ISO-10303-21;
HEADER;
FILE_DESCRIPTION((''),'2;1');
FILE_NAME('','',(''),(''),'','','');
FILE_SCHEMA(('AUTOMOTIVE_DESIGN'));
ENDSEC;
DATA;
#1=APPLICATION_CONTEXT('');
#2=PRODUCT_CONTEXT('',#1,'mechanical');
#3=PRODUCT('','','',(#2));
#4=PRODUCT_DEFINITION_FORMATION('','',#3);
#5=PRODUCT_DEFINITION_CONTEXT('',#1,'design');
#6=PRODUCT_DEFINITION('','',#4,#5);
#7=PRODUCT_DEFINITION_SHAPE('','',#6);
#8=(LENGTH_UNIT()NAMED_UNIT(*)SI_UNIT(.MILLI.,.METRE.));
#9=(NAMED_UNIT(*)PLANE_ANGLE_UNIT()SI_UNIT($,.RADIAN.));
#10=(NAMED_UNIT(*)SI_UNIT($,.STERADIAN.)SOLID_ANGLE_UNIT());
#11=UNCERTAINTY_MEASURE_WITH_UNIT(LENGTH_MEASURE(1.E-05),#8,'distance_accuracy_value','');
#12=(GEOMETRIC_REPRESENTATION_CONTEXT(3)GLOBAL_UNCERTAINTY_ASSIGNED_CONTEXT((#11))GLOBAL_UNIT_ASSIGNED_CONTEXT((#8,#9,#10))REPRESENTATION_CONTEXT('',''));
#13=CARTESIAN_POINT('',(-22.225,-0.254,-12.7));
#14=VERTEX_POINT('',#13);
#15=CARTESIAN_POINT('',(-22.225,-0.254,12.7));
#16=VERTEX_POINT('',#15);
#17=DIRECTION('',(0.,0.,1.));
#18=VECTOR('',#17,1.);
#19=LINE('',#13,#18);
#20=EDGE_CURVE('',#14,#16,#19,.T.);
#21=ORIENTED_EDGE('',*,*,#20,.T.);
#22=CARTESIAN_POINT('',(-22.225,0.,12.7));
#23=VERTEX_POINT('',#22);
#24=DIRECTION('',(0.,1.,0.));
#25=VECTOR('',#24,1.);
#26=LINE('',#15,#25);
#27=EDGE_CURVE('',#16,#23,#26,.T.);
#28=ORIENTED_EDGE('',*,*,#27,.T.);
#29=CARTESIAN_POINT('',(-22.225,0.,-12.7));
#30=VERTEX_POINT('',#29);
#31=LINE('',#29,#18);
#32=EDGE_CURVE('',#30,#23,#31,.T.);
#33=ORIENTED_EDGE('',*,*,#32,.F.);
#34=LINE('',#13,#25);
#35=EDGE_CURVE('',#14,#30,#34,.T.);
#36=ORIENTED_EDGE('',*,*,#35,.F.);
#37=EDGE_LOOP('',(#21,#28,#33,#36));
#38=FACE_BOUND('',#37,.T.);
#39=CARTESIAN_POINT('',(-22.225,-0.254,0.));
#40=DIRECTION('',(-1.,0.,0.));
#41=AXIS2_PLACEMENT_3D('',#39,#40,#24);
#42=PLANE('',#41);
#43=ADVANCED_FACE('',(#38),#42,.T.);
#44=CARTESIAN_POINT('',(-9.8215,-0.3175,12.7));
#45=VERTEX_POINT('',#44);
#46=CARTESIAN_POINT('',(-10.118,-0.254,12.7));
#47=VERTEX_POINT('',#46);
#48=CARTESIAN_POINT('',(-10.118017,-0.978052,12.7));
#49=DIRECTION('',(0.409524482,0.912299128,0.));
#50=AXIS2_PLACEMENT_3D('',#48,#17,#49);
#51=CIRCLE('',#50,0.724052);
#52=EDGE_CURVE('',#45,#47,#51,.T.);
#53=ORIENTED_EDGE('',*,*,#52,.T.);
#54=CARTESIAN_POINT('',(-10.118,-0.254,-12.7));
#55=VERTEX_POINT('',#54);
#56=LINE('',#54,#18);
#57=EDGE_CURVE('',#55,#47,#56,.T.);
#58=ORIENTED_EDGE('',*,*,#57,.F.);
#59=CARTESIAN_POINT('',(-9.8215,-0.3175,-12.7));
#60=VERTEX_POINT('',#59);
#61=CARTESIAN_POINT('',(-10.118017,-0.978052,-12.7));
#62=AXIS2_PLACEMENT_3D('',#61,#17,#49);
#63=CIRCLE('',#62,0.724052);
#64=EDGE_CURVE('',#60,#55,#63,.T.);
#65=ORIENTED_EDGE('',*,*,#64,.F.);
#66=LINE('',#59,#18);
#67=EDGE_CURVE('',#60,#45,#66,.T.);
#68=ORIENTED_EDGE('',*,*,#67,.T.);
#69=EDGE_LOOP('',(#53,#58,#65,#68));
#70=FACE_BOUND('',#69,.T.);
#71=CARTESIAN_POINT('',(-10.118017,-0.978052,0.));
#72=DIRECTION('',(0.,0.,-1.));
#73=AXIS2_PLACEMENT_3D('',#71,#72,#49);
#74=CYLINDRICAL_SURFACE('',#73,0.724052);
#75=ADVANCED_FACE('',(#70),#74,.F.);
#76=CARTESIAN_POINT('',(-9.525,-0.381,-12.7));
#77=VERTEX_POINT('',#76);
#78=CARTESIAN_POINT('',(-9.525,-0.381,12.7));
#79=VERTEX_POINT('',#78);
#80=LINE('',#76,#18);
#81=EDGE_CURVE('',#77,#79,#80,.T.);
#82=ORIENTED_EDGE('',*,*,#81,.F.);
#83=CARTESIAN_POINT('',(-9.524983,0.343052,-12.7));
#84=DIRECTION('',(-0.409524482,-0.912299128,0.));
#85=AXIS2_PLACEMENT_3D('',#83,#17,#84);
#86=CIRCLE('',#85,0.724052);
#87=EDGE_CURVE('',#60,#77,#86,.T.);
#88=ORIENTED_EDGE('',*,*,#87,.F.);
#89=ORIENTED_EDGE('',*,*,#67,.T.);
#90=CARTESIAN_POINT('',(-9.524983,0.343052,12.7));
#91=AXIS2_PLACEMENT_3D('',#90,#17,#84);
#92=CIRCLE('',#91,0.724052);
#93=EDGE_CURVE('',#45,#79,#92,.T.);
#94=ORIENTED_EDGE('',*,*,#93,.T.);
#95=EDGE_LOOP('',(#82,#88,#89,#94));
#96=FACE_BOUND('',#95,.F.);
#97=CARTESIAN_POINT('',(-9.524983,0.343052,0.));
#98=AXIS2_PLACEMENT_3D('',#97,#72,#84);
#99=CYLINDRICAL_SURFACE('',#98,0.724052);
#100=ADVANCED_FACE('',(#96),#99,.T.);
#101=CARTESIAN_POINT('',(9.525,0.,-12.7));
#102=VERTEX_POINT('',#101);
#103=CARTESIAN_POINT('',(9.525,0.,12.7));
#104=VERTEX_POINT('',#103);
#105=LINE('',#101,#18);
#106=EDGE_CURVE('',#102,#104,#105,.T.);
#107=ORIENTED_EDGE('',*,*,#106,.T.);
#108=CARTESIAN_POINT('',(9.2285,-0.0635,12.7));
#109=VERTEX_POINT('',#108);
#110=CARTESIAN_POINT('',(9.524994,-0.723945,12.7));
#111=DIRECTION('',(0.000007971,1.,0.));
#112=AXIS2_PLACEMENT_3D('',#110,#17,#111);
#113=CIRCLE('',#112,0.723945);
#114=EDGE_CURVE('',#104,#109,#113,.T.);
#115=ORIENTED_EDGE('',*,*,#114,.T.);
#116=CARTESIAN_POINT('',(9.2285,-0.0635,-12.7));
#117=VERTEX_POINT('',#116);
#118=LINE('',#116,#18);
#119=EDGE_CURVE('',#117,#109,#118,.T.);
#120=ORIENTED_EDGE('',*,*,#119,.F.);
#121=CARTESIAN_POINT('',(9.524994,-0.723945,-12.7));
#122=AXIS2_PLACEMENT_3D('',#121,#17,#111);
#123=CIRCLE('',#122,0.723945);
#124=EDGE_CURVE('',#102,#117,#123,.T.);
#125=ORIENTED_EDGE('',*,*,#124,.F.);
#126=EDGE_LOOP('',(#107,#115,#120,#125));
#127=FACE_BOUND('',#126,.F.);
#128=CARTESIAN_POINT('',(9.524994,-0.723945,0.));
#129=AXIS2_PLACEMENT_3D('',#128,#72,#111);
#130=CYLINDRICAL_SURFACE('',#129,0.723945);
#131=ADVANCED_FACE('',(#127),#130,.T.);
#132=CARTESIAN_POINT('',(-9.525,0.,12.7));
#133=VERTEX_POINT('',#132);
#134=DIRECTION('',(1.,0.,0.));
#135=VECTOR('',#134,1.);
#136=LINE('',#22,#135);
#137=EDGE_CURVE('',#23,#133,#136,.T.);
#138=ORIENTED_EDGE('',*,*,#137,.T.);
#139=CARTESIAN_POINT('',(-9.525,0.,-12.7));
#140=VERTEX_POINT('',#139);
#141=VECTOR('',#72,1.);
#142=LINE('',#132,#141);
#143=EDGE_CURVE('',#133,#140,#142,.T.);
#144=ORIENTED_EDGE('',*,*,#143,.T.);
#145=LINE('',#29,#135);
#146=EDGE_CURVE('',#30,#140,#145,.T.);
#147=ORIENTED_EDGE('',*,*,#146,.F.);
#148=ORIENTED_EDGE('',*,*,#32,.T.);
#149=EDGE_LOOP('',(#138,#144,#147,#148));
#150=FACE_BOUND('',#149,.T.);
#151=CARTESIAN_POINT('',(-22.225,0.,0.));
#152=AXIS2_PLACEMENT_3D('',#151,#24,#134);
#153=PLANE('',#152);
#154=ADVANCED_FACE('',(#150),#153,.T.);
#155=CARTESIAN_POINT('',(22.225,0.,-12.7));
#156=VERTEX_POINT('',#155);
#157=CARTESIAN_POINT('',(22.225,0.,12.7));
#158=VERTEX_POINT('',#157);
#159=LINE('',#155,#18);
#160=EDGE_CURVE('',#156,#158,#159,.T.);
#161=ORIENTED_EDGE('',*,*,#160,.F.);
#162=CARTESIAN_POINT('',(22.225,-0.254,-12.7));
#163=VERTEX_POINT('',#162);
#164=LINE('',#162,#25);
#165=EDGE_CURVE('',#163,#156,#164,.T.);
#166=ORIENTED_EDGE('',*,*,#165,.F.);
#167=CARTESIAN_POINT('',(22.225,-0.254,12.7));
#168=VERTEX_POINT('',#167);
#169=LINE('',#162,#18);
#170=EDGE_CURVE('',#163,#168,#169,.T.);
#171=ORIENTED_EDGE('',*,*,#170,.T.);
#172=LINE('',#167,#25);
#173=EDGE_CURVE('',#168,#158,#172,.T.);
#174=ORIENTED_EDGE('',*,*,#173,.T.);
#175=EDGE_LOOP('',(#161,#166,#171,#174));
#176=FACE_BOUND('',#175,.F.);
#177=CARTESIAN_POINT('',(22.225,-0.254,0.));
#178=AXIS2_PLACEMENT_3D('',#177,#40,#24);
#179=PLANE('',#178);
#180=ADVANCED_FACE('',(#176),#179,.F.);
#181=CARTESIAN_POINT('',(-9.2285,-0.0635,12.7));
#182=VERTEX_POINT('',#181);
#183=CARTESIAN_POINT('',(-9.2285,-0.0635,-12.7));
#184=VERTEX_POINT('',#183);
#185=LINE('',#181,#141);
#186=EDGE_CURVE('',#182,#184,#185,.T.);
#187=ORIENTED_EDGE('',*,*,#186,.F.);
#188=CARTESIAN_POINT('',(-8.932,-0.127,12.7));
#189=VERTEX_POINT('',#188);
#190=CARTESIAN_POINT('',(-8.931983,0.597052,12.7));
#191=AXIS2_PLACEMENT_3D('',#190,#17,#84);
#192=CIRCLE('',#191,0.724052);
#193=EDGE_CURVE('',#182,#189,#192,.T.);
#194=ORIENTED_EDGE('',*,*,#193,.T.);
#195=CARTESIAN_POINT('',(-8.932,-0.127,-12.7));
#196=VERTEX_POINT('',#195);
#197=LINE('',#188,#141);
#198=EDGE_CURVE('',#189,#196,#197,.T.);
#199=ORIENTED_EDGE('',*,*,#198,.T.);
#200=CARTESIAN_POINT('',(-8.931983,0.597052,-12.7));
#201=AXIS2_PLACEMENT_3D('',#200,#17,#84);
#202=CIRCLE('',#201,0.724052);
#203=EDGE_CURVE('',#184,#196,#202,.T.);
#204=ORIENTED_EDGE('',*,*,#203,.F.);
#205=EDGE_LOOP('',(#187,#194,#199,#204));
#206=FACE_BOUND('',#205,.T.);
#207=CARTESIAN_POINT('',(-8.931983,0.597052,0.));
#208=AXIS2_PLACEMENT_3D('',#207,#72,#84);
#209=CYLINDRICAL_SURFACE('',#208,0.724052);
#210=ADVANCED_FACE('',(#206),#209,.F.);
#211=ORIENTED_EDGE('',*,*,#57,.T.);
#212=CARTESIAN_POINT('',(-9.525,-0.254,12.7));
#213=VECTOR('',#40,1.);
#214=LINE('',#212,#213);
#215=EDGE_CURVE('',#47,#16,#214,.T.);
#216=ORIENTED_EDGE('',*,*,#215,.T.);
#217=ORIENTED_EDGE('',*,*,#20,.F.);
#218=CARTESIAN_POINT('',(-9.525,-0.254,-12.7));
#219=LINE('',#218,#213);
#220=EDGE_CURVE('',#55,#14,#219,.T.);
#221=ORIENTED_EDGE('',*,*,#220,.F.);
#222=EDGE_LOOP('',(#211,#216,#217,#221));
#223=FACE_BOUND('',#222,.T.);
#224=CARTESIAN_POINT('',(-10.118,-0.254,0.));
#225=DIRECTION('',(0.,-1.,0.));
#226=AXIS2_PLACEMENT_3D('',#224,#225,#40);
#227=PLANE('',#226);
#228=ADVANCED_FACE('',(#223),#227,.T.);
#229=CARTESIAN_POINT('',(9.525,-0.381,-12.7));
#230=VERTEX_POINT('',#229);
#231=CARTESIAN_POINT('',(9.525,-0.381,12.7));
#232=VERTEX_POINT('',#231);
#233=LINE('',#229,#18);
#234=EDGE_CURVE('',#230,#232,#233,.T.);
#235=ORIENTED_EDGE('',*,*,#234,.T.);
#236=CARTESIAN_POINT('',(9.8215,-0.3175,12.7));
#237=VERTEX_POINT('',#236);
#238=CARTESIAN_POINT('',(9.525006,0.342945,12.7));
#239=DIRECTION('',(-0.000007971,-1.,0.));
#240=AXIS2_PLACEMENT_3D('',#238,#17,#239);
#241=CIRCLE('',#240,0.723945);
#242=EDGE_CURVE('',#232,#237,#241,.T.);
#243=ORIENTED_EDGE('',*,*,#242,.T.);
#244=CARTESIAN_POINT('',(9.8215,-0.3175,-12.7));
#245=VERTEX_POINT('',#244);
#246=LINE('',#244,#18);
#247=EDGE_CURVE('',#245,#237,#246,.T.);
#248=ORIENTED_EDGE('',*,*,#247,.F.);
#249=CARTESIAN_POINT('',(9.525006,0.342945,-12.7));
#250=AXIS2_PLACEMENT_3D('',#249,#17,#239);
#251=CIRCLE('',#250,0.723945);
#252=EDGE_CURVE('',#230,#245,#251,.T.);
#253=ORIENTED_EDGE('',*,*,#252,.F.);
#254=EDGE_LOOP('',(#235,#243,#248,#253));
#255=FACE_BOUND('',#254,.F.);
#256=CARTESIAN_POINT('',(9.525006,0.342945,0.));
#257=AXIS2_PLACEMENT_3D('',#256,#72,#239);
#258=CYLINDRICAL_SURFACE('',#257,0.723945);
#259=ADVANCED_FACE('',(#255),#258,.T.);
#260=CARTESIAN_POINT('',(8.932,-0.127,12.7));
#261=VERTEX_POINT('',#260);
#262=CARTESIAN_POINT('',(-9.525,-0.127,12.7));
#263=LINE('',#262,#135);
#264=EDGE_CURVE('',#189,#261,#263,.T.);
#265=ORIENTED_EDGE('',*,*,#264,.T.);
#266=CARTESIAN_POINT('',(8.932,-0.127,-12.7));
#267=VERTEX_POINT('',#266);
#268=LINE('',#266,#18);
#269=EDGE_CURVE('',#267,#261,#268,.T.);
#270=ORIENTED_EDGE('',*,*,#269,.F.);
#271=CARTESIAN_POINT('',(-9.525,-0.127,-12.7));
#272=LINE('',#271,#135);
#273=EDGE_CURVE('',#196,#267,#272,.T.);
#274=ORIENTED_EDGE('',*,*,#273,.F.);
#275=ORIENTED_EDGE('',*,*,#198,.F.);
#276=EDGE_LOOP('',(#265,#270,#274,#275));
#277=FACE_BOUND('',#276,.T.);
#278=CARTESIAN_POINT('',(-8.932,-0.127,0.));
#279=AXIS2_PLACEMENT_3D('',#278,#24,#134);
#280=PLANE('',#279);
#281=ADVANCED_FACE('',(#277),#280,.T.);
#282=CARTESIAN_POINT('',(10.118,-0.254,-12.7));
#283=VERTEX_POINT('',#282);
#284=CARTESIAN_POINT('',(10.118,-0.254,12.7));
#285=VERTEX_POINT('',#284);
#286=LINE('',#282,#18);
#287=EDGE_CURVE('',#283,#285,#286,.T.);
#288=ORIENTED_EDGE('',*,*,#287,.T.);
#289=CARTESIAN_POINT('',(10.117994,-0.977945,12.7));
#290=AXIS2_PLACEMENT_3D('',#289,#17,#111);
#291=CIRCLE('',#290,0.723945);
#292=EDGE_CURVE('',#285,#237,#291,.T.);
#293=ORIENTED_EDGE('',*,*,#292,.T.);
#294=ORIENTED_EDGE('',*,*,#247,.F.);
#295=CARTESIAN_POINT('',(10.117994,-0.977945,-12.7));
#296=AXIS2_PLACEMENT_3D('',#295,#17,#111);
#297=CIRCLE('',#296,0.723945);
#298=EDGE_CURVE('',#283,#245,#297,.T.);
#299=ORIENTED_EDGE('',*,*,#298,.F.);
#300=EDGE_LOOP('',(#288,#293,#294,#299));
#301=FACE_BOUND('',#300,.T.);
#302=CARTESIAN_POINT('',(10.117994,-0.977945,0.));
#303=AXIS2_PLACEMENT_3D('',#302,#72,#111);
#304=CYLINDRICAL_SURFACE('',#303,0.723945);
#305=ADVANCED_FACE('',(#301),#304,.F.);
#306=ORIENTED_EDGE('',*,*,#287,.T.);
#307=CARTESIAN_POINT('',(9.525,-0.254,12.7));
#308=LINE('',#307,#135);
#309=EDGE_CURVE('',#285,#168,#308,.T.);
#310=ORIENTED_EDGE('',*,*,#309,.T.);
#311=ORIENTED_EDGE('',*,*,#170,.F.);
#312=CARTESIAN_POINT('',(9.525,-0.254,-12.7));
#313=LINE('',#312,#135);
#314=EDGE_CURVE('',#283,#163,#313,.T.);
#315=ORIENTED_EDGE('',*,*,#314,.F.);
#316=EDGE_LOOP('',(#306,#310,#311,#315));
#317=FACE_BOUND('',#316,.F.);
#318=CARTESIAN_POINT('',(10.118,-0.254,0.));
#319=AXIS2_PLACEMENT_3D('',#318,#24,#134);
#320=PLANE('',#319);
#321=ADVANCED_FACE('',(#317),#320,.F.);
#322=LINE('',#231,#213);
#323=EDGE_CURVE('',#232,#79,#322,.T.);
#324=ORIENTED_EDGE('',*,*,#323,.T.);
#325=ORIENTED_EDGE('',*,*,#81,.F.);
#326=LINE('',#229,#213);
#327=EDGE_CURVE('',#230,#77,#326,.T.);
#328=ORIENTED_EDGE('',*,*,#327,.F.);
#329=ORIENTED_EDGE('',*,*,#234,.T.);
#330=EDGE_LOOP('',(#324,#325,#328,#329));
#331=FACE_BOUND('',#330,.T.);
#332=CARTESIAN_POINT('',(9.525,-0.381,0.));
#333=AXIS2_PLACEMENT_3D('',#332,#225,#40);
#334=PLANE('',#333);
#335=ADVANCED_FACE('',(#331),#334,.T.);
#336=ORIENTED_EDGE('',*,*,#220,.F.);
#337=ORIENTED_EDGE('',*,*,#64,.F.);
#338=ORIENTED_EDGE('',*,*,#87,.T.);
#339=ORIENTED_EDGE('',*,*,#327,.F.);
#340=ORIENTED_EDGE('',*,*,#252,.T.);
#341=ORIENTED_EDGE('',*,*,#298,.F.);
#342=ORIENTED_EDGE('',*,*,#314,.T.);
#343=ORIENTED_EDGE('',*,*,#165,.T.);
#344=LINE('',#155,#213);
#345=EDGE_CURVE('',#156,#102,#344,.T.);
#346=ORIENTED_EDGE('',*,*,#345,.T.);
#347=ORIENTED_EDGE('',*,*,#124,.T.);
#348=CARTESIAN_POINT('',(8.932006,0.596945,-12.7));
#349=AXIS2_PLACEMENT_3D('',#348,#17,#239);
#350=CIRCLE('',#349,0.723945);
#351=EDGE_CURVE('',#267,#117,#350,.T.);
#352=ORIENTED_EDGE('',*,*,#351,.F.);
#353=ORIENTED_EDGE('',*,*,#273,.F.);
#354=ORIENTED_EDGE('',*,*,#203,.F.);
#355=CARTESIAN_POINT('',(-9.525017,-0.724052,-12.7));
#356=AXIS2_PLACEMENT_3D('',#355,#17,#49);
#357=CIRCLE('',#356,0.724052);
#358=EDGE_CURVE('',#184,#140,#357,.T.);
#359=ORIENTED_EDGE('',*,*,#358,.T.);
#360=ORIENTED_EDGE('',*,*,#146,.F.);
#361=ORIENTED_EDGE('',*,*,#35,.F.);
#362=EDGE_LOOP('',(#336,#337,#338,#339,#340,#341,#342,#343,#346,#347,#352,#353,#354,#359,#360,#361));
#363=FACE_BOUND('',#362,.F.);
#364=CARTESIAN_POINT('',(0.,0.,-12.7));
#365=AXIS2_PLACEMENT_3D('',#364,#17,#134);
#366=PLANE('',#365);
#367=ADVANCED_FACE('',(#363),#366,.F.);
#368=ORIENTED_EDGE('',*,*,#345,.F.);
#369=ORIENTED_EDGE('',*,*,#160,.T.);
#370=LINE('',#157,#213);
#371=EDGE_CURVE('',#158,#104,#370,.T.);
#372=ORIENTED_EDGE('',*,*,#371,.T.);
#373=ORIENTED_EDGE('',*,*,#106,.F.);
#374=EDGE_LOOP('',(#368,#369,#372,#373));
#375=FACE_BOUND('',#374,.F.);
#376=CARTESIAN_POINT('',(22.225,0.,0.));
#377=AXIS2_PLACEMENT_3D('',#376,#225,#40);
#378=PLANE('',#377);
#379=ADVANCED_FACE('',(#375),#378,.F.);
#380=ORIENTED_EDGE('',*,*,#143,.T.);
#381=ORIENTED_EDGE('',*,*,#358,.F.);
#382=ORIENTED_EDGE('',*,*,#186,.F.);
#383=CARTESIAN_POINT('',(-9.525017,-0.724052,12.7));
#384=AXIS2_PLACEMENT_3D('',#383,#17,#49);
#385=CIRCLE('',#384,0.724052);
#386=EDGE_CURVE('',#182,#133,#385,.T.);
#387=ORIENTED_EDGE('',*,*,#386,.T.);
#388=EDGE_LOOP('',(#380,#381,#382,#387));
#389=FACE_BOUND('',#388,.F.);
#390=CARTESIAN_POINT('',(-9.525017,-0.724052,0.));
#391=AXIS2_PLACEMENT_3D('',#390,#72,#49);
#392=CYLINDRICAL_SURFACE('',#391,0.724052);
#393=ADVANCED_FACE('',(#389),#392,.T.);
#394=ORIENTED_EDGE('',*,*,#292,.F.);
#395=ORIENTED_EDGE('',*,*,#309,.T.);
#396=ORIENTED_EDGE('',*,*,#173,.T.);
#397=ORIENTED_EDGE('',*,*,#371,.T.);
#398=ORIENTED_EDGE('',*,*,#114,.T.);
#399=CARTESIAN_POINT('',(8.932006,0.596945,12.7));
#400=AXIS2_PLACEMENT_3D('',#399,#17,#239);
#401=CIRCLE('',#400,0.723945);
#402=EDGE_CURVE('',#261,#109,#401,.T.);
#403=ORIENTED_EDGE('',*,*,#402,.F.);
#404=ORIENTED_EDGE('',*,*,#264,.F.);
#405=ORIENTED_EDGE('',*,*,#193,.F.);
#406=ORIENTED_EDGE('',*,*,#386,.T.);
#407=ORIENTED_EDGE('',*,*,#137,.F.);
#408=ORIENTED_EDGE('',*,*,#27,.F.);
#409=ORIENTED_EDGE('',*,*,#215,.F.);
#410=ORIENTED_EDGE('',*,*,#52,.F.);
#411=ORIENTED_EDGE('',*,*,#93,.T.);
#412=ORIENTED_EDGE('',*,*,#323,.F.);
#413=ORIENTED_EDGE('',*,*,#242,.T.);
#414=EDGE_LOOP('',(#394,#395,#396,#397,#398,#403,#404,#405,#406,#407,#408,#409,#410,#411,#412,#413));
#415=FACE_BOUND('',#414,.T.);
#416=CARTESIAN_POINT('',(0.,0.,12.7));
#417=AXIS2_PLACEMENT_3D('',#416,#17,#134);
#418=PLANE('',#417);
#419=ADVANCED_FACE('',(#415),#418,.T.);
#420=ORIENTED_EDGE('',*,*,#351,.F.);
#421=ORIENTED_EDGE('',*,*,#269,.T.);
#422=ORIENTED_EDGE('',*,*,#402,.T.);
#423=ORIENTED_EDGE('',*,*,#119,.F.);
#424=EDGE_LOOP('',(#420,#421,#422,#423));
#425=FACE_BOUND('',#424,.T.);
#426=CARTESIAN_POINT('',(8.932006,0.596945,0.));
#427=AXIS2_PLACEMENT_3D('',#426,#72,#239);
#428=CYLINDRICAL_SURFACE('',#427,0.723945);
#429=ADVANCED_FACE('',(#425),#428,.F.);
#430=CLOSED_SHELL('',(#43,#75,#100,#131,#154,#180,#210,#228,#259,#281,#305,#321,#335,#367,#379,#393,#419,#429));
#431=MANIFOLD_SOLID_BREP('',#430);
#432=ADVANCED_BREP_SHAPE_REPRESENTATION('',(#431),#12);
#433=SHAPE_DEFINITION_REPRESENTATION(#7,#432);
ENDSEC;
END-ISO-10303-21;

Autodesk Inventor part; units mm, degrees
ref_plane "YZ Plane" through (0, 0, 0) normal (1, 0, 0) x (0, 1, 0)
ref_plane "XZ Plane" through (0, 0, 0) normal (0, 1, 0) x (-1, 0, 0)
ref_plane "XY Plane" through (0, 0, 0) normal (0, 0, 1) x (1, 0, 0)
sketch "Sketch1" plane through (0, 0, 0) normal (0, 0, 1) x (1, 0, 0)
  line L0 (-22.225, 0) -> (-9.525, 0)
  line L1 (-9.525, 0) -> (-9.525, -0.254)
  line L2 (-9.525, -0.254) -> (-22.225, -0.254)
  line L3 (-22.225, -0.254) -> (-22.225, 0)
  line L4 (-9.525, -0.127) -> (9.525, -0.127)
  line L5 (9.525, -0.127) -> (9.525, -0.381)
  line L6 (9.525, -0.381) -> (-9.525, -0.381)
  line L7 (-9.525, -0.381) -> (-9.525, -0.127)
  line L8 (9.525, -0.254) -> (22.225, -0.254)
  line L9 (22.225, -0.254) -> (22.225, 0)
  line L10 (22.225, 0) -> (9.525, 0)
  line L11 (9.525, 0) -> (9.525, -0.254)
  line L12 (0, -0.127) -> (0, 0) construction
  arc A0 (-9.8215, -0.3175) -> (-9.525, -0.381) centre (-9.525, 0.343) ccw
  arc A1 (-9.8215, -0.3175) -> (-10.118, -0.254) centre (-10.118, -0.978) ccw
  arc A2 (-9.2285, -0.0635) -> (-9.525, 0) centre (-9.525, -0.724) ccw
  arc A3 (-9.2285, -0.0635) -> (-8.932, -0.127) centre (-8.932, 0.597) ccw
  arc A4 (9.525, -0.381) -> (9.8215, -0.3175) centre (9.525, 0.343) ccw
  arc A5 (10.118, -0.254) -> (9.8215, -0.3175) centre (10.118, -0.978) ccw
  arc A6 (9.525, 0) -> (9.2285, -0.0635) centre (9.525, -0.724) ccw
  arc A7 (8.932, -0.127) -> (9.2285, -0.0635) centre (8.932, 0.597) ccw
  dimension "d0" = 12.7
  dimension "d1" = 19.05
  dimension "d2" = 0.254
extrude "Extrusion1" add sketch "Sketch1" along normal mid plane 25.4
sketch "Sketch2" plane through (0, 0, -12.7) normal (0, 0, -1) x (-1, 0, 0)
  point P0 (0, 0)
sketch "Sketch3" plane through (0, 0, 12.7) normal (0, 0, 1) x (1, 0, 0)
  point P0 (0, 0)
properties part number "Ribbon Tape"
